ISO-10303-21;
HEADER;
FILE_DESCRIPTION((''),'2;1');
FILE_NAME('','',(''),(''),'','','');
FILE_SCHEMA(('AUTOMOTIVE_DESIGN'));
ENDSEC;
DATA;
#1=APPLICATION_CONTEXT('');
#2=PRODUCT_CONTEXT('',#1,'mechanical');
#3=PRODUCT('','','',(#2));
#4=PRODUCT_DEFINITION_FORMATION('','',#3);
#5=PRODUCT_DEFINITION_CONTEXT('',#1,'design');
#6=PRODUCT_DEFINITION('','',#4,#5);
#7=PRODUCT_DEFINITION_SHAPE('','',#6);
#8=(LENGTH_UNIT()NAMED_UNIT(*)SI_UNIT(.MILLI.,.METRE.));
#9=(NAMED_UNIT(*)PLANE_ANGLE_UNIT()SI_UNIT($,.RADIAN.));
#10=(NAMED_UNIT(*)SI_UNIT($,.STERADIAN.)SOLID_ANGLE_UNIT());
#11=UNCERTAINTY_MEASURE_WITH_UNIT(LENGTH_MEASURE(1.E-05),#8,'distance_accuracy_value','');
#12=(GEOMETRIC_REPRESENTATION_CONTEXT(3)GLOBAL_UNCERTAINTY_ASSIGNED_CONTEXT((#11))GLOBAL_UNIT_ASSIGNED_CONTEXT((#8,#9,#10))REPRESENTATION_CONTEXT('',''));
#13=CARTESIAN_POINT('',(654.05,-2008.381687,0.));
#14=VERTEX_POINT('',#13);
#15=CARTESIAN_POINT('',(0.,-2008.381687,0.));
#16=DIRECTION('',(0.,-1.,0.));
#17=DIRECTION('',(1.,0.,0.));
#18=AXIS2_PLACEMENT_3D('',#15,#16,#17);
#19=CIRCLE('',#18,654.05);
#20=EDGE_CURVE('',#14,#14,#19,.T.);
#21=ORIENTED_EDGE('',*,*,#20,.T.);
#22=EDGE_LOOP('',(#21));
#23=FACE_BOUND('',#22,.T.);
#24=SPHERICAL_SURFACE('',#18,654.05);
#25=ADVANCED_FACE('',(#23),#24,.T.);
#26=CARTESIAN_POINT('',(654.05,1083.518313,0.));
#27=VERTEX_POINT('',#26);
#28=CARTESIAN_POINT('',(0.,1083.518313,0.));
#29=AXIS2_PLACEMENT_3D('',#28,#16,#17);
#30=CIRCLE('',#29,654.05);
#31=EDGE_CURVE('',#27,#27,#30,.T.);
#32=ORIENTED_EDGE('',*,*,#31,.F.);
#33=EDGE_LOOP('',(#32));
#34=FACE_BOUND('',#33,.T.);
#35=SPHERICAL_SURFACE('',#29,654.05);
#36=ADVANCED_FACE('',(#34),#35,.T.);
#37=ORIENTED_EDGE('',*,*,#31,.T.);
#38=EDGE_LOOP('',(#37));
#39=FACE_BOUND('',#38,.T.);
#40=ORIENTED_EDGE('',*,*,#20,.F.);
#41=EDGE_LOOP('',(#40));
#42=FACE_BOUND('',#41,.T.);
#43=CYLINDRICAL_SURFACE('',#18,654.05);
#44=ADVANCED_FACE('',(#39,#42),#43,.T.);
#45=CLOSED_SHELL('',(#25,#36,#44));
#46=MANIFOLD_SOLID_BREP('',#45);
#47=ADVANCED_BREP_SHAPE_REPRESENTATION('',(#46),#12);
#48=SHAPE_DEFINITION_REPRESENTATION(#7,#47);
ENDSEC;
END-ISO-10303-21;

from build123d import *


with BuildPart() as part:
    # Sketch1 → Revolve1 (revolve)
    with BuildSketch(Plane.XY):
        with BuildLine():
            Line((0, 1083.518312986), (0, 1737.568312986))
            ThreePointArc((0, 1737.568312986), (462.483190235, 1546.001503221), (654.05, 1083.518312986))
            Line((654.05, 1083.518312986), (654.05, -2008.381687014))
            ThreePointArc((654.05, -2008.381687014), (462.483190235, -2470.864877249), (0, -2662.431687014))
            Line((0, -2662.431687014), (0, -2008.381687014))
            Line((0, -2008.381687014), (0, 1083.518312986))
        make_face()
    revolve(axis=Axis((0, -2008.381687014, 0), (0, 1, 0)))


solid = part.part
